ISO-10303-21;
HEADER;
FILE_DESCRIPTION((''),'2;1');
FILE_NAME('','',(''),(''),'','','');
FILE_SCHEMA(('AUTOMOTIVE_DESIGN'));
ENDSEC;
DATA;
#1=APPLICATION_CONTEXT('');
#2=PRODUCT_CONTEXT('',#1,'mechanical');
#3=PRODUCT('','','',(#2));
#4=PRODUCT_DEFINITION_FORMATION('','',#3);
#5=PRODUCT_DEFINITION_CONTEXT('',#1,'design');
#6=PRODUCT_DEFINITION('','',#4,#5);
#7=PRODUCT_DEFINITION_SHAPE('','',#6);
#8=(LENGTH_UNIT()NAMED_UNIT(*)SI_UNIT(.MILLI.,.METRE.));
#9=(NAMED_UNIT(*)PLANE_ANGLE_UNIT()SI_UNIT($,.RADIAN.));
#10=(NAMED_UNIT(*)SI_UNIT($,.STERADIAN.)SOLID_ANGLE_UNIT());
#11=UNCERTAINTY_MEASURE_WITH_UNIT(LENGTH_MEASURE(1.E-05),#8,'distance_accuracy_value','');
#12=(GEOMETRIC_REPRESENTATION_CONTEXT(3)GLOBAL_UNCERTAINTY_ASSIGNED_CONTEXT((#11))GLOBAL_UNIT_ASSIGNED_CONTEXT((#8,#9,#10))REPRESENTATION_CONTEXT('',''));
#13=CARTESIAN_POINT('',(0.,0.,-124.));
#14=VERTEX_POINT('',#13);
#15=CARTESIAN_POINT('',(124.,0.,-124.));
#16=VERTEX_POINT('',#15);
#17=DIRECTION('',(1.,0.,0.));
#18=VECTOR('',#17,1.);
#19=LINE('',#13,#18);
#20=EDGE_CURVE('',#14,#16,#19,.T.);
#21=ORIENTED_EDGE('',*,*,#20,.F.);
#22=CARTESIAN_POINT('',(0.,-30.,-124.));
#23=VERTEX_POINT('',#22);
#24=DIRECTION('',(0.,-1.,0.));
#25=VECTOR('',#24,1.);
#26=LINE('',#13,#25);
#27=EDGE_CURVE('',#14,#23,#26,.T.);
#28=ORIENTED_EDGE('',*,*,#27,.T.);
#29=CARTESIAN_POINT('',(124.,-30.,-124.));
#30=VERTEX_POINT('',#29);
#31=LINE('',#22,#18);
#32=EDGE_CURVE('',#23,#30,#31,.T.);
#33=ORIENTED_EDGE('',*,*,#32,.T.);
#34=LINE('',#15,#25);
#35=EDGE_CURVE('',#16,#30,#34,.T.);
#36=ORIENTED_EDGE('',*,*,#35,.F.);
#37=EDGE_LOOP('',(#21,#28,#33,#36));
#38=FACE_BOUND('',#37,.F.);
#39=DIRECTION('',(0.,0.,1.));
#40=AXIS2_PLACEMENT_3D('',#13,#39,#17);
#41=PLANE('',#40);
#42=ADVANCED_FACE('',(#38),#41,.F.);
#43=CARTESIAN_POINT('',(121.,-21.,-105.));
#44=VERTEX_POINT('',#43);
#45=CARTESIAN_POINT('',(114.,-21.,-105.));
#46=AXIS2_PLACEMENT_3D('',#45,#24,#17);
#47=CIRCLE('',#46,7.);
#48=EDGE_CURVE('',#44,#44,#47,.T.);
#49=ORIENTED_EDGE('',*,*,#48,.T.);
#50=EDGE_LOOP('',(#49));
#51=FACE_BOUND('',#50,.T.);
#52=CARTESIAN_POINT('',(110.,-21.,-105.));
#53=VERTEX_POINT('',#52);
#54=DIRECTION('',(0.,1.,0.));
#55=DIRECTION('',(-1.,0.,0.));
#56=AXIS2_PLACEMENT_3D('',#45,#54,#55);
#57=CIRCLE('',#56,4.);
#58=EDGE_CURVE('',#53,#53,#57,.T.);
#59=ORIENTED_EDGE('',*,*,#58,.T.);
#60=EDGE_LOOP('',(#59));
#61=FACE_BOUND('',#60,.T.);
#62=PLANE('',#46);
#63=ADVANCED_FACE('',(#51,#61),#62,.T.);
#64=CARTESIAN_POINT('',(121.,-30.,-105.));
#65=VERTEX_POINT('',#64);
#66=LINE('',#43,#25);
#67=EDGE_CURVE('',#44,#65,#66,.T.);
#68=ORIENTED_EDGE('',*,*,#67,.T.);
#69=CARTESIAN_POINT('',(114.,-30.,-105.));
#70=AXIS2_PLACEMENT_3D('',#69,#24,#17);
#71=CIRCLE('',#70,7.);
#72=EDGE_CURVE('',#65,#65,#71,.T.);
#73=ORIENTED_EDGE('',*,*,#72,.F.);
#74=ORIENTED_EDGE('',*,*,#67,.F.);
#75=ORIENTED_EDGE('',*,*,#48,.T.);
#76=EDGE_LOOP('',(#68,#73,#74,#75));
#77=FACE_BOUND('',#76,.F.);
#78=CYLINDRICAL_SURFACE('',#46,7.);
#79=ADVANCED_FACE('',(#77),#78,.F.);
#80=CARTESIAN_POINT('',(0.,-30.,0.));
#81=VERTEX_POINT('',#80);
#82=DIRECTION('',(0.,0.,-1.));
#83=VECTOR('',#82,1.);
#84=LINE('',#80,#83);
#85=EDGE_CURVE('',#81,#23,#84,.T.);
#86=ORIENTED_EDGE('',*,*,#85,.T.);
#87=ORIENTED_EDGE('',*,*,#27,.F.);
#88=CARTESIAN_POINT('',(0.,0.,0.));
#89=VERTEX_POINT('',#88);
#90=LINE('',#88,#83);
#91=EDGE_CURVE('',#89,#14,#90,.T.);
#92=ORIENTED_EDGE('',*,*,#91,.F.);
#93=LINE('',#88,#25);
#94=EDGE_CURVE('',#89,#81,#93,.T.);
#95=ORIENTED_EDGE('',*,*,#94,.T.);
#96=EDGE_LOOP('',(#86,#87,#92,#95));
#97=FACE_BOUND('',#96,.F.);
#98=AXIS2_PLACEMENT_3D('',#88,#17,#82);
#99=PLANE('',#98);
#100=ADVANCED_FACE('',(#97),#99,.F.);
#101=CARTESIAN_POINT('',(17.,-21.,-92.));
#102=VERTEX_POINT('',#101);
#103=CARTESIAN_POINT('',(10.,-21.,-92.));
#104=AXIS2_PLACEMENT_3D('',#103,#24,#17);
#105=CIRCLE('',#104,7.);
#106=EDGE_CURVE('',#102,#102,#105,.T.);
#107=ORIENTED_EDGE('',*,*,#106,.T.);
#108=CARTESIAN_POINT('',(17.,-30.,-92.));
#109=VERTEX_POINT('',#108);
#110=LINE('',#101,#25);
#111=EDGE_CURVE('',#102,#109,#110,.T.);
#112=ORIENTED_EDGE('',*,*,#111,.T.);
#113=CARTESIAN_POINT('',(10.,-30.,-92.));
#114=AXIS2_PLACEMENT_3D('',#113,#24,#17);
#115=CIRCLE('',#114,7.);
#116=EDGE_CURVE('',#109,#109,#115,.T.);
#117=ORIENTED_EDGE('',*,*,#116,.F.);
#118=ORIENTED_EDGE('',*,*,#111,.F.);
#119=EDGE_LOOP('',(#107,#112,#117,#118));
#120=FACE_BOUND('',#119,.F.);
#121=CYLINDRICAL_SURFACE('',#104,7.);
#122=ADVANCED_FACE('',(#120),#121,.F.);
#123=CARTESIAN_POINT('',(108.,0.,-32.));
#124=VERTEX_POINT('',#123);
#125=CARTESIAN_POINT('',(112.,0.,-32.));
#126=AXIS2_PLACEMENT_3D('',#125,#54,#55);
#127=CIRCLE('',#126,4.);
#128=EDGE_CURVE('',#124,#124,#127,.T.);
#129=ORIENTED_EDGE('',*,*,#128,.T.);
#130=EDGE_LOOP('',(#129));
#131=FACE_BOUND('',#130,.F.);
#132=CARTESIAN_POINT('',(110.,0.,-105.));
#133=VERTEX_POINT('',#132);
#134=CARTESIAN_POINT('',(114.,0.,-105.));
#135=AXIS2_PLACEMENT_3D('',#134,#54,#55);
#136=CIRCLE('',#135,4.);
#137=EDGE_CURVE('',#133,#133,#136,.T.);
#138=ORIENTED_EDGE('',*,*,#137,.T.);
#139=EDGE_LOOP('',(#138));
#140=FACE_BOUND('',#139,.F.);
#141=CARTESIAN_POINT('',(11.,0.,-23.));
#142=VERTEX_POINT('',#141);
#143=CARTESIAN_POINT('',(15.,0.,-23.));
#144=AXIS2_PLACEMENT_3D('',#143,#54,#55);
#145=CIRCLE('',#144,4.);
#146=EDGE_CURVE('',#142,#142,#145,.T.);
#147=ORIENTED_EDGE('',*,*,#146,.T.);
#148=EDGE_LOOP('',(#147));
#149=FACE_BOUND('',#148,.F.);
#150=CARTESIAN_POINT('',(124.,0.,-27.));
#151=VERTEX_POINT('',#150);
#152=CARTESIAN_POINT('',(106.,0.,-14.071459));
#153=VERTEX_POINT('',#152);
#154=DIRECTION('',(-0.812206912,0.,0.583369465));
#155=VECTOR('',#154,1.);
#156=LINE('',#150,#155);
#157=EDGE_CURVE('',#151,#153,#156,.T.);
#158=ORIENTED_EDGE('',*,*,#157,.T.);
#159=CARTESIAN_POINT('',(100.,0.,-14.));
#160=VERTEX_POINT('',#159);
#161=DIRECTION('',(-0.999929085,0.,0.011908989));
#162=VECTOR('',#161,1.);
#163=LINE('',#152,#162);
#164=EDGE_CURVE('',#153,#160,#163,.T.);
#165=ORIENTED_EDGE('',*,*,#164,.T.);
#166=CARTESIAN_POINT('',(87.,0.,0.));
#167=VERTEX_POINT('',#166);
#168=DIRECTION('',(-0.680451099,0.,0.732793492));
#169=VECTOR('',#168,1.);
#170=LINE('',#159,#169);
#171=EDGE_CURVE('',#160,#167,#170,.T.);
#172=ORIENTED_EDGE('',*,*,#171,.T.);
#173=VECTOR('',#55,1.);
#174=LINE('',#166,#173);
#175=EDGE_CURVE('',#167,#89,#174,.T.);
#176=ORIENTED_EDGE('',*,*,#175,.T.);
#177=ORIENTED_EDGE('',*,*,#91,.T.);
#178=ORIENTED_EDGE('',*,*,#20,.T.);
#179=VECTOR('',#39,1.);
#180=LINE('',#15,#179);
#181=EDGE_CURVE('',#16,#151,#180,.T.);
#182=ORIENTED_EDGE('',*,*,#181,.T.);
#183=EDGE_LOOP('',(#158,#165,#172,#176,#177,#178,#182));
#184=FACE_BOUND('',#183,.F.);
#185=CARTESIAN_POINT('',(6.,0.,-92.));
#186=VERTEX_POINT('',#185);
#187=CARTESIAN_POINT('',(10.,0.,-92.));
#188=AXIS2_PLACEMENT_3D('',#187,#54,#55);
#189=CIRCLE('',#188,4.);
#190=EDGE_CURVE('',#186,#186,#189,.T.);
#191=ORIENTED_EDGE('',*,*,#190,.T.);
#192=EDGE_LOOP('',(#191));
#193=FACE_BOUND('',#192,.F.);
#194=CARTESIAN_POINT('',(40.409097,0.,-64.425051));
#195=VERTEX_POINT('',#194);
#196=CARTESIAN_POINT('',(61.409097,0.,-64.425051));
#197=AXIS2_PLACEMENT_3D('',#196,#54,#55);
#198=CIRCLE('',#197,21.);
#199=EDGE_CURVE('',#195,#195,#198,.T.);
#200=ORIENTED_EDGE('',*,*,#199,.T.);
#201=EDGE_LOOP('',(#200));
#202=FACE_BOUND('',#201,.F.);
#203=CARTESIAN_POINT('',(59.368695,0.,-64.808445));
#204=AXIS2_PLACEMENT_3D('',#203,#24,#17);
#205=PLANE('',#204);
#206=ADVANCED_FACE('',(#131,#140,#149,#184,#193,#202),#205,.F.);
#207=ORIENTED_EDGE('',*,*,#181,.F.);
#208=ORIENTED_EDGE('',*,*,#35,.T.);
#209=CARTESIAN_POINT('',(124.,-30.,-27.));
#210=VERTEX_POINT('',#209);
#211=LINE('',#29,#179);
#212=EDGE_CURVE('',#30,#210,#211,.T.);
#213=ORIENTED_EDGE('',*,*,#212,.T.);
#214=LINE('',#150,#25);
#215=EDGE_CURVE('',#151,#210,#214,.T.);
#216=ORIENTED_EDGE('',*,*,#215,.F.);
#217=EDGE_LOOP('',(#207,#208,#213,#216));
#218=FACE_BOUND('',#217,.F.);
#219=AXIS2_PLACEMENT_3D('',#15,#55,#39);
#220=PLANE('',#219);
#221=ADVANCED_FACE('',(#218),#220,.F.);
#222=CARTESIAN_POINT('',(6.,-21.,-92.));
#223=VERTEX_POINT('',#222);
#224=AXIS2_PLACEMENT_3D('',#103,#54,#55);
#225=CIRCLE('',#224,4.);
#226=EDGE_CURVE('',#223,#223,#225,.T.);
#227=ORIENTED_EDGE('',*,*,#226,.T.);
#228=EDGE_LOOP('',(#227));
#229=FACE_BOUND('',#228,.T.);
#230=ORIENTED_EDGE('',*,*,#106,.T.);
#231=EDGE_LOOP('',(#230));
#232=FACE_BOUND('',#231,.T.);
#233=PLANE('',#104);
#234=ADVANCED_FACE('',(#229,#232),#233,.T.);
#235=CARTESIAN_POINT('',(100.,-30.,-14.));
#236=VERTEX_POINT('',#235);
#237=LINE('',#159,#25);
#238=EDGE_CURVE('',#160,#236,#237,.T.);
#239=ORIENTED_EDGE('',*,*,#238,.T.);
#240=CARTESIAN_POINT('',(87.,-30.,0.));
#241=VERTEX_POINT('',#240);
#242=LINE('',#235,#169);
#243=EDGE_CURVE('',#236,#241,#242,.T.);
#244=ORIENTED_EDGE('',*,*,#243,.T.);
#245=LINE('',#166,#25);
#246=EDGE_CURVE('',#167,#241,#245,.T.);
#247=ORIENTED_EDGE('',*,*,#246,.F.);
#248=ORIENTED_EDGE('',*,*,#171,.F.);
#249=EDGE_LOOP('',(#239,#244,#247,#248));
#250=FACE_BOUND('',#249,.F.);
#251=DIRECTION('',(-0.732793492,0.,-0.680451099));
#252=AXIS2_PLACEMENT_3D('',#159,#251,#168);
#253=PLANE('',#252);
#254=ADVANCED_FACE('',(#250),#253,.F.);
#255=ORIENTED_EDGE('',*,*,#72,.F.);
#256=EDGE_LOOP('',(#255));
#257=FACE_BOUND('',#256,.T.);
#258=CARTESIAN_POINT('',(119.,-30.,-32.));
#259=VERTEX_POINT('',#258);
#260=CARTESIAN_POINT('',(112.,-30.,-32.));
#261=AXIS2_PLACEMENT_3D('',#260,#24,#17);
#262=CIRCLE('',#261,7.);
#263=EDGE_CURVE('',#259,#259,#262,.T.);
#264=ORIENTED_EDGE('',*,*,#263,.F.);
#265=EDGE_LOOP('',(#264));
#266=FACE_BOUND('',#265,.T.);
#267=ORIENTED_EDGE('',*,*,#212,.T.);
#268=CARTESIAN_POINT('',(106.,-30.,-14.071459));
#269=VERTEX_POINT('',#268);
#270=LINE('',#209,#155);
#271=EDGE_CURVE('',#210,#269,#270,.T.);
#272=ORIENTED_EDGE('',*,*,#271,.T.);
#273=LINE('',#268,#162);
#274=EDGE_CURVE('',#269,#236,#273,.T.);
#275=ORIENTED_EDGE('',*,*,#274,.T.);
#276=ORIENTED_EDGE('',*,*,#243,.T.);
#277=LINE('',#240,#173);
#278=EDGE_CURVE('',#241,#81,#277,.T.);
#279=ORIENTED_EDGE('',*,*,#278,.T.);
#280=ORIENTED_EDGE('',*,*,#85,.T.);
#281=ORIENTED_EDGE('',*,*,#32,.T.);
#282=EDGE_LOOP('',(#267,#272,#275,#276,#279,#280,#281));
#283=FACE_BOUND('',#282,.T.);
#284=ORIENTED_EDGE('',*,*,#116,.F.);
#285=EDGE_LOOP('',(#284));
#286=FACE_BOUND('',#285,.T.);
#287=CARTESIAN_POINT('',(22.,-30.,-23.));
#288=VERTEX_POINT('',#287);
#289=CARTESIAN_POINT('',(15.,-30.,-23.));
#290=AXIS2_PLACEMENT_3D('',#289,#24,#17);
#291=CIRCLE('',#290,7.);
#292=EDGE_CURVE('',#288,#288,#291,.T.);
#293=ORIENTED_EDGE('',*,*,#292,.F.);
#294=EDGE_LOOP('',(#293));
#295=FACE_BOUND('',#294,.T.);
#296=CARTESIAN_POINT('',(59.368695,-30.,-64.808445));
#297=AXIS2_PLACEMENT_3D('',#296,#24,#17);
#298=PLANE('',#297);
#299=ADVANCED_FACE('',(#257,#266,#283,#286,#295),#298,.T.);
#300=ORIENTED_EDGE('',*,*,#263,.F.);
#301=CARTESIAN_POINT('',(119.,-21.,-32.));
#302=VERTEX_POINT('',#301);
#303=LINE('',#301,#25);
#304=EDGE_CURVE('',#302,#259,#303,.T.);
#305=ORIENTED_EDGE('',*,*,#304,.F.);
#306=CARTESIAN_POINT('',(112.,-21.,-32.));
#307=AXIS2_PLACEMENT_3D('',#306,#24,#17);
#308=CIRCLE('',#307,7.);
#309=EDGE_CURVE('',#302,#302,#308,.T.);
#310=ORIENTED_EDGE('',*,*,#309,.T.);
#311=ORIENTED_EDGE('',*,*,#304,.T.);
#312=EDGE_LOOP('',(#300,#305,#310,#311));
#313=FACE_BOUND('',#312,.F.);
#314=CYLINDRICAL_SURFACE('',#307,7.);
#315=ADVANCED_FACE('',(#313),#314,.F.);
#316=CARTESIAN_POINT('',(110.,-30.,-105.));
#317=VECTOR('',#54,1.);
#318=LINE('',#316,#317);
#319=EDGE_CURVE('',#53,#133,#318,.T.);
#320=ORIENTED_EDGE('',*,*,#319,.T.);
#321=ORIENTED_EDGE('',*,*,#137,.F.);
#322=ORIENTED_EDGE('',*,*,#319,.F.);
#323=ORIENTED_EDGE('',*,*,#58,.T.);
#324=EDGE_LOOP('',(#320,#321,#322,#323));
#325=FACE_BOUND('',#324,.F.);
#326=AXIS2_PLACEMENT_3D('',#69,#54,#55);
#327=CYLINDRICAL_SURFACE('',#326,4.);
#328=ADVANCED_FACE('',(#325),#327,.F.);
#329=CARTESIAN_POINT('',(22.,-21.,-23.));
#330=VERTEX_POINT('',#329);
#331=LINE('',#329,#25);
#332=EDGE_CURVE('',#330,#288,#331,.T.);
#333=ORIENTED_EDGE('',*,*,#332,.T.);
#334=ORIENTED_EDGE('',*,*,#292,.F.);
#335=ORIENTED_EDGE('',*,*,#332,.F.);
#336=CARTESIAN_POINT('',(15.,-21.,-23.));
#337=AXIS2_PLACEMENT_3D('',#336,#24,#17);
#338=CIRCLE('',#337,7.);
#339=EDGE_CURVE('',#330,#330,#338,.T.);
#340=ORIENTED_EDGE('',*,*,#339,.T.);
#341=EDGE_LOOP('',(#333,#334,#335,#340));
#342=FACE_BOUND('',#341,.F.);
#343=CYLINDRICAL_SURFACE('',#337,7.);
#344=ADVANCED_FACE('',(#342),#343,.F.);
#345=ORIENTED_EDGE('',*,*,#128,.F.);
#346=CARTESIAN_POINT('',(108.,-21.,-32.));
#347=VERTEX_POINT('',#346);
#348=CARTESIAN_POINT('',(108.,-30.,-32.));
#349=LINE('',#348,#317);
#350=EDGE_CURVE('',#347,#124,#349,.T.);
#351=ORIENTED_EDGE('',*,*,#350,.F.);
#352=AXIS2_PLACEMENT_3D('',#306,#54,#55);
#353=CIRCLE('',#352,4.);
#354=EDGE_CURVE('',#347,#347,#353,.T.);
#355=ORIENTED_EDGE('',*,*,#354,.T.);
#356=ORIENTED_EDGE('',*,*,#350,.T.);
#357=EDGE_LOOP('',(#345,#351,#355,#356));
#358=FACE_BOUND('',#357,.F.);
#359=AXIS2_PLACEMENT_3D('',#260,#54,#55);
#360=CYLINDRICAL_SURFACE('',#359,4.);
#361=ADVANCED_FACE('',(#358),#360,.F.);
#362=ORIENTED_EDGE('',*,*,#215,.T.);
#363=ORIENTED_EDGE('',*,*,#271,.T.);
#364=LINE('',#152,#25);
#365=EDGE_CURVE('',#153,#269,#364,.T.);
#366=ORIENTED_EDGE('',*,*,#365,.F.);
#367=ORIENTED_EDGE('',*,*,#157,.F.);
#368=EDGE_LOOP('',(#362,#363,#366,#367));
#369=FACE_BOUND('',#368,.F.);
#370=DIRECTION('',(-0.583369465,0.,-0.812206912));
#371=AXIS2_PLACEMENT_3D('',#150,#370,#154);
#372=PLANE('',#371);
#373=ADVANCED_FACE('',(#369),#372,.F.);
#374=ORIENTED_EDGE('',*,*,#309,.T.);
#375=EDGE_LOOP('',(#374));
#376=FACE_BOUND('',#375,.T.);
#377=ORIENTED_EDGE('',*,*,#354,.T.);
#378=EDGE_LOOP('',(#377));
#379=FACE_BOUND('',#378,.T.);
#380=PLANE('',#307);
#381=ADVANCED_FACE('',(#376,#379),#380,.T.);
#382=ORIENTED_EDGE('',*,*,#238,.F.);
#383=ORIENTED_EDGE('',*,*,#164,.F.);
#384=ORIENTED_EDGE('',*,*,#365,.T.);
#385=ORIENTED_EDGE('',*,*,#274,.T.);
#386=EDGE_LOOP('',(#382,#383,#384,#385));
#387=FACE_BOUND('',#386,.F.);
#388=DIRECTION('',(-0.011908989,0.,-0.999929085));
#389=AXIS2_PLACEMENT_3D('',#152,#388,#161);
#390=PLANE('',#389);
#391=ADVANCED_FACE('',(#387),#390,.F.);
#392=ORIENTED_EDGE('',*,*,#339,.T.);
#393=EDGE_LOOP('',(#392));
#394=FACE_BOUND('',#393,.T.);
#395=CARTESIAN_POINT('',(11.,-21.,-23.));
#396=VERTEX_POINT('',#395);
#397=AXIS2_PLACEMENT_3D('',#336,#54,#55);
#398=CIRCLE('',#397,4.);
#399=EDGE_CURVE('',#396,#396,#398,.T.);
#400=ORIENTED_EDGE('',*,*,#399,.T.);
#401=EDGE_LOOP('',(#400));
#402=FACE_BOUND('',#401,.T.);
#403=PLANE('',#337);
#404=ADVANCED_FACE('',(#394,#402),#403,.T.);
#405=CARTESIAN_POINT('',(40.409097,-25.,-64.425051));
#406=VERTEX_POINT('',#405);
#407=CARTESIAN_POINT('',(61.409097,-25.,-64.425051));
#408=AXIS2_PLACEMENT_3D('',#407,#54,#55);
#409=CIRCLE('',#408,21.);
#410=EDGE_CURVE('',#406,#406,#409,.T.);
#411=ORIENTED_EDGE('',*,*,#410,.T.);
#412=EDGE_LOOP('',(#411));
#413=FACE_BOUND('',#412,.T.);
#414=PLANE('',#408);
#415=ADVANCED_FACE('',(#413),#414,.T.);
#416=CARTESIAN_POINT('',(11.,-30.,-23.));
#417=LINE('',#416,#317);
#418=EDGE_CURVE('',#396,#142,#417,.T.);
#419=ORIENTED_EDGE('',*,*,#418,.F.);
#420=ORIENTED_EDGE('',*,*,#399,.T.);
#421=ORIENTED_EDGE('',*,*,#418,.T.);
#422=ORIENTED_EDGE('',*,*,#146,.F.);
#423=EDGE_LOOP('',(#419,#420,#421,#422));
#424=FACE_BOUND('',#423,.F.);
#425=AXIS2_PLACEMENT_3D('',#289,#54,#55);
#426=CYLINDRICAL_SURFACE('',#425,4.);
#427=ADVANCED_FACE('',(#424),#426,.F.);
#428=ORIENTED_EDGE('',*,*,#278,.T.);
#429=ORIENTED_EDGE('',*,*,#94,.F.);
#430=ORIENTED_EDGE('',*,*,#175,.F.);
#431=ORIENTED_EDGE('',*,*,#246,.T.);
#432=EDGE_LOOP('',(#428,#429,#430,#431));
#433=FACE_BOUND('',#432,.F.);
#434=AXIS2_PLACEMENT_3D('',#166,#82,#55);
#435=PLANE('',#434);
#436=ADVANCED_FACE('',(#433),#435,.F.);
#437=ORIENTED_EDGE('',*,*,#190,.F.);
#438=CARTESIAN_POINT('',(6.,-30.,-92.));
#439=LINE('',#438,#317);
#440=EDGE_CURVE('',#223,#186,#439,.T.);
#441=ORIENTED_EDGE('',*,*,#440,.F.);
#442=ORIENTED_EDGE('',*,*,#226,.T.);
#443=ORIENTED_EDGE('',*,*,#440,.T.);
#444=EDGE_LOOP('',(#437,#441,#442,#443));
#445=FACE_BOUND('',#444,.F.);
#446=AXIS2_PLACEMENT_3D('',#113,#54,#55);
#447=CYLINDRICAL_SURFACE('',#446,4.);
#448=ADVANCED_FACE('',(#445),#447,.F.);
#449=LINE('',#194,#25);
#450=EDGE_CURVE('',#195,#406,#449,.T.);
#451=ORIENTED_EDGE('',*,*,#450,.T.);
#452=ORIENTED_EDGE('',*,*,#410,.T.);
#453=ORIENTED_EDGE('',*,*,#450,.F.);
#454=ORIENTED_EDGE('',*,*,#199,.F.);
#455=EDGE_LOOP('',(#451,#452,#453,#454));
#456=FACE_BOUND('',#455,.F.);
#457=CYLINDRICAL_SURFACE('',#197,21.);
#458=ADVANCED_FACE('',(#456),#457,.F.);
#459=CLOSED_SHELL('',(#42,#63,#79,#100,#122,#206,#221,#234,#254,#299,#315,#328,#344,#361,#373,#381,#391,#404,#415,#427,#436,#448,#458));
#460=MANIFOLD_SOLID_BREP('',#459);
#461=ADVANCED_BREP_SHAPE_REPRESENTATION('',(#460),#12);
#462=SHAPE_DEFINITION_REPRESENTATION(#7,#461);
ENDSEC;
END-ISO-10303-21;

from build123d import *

# Parameters (mm, degrees)
F1_DEPTH       = 30
F3_D           = 8
F3_DEPTH       = 45
F3_CBORE_D     = 14
F3_CBORE_DEPTH = 9
F5_R           = 21
F6_DEPTH       = 25


with BuildPart() as f1:
    # F0 (on Front) → F1 (new body)
    with BuildSketch(Plane.XZ):
        Polygon((87, 0), (0, 0), (0, -124), (124, -124), (124, -27), (106, -14.071459), (100, -14), align=None)
    extrude(amount=F1_DEPTH)

    # F3
    with Locations(Plane.XZ.offset(30)):
        with Locations((15, -23), (10, -92), (112, -32), (114, -105)):
            CounterBoreHole(F3_D / 2, F3_CBORE_D / 2, F3_CBORE_DEPTH, depth=F3_DEPTH)

    # F5 (on face) → F6 (cut)
    with BuildSketch(Plane(origin=(0, 0, 0), x_dir=(-1, 0, 0), z_dir=(0, 1, 0))):
        with Locations((-61.409097, -64.425051)):
            Circle(F5_R)
    extrude(amount=-F6_DEPTH, mode=Mode.SUBTRACT)


solid = f1.part
